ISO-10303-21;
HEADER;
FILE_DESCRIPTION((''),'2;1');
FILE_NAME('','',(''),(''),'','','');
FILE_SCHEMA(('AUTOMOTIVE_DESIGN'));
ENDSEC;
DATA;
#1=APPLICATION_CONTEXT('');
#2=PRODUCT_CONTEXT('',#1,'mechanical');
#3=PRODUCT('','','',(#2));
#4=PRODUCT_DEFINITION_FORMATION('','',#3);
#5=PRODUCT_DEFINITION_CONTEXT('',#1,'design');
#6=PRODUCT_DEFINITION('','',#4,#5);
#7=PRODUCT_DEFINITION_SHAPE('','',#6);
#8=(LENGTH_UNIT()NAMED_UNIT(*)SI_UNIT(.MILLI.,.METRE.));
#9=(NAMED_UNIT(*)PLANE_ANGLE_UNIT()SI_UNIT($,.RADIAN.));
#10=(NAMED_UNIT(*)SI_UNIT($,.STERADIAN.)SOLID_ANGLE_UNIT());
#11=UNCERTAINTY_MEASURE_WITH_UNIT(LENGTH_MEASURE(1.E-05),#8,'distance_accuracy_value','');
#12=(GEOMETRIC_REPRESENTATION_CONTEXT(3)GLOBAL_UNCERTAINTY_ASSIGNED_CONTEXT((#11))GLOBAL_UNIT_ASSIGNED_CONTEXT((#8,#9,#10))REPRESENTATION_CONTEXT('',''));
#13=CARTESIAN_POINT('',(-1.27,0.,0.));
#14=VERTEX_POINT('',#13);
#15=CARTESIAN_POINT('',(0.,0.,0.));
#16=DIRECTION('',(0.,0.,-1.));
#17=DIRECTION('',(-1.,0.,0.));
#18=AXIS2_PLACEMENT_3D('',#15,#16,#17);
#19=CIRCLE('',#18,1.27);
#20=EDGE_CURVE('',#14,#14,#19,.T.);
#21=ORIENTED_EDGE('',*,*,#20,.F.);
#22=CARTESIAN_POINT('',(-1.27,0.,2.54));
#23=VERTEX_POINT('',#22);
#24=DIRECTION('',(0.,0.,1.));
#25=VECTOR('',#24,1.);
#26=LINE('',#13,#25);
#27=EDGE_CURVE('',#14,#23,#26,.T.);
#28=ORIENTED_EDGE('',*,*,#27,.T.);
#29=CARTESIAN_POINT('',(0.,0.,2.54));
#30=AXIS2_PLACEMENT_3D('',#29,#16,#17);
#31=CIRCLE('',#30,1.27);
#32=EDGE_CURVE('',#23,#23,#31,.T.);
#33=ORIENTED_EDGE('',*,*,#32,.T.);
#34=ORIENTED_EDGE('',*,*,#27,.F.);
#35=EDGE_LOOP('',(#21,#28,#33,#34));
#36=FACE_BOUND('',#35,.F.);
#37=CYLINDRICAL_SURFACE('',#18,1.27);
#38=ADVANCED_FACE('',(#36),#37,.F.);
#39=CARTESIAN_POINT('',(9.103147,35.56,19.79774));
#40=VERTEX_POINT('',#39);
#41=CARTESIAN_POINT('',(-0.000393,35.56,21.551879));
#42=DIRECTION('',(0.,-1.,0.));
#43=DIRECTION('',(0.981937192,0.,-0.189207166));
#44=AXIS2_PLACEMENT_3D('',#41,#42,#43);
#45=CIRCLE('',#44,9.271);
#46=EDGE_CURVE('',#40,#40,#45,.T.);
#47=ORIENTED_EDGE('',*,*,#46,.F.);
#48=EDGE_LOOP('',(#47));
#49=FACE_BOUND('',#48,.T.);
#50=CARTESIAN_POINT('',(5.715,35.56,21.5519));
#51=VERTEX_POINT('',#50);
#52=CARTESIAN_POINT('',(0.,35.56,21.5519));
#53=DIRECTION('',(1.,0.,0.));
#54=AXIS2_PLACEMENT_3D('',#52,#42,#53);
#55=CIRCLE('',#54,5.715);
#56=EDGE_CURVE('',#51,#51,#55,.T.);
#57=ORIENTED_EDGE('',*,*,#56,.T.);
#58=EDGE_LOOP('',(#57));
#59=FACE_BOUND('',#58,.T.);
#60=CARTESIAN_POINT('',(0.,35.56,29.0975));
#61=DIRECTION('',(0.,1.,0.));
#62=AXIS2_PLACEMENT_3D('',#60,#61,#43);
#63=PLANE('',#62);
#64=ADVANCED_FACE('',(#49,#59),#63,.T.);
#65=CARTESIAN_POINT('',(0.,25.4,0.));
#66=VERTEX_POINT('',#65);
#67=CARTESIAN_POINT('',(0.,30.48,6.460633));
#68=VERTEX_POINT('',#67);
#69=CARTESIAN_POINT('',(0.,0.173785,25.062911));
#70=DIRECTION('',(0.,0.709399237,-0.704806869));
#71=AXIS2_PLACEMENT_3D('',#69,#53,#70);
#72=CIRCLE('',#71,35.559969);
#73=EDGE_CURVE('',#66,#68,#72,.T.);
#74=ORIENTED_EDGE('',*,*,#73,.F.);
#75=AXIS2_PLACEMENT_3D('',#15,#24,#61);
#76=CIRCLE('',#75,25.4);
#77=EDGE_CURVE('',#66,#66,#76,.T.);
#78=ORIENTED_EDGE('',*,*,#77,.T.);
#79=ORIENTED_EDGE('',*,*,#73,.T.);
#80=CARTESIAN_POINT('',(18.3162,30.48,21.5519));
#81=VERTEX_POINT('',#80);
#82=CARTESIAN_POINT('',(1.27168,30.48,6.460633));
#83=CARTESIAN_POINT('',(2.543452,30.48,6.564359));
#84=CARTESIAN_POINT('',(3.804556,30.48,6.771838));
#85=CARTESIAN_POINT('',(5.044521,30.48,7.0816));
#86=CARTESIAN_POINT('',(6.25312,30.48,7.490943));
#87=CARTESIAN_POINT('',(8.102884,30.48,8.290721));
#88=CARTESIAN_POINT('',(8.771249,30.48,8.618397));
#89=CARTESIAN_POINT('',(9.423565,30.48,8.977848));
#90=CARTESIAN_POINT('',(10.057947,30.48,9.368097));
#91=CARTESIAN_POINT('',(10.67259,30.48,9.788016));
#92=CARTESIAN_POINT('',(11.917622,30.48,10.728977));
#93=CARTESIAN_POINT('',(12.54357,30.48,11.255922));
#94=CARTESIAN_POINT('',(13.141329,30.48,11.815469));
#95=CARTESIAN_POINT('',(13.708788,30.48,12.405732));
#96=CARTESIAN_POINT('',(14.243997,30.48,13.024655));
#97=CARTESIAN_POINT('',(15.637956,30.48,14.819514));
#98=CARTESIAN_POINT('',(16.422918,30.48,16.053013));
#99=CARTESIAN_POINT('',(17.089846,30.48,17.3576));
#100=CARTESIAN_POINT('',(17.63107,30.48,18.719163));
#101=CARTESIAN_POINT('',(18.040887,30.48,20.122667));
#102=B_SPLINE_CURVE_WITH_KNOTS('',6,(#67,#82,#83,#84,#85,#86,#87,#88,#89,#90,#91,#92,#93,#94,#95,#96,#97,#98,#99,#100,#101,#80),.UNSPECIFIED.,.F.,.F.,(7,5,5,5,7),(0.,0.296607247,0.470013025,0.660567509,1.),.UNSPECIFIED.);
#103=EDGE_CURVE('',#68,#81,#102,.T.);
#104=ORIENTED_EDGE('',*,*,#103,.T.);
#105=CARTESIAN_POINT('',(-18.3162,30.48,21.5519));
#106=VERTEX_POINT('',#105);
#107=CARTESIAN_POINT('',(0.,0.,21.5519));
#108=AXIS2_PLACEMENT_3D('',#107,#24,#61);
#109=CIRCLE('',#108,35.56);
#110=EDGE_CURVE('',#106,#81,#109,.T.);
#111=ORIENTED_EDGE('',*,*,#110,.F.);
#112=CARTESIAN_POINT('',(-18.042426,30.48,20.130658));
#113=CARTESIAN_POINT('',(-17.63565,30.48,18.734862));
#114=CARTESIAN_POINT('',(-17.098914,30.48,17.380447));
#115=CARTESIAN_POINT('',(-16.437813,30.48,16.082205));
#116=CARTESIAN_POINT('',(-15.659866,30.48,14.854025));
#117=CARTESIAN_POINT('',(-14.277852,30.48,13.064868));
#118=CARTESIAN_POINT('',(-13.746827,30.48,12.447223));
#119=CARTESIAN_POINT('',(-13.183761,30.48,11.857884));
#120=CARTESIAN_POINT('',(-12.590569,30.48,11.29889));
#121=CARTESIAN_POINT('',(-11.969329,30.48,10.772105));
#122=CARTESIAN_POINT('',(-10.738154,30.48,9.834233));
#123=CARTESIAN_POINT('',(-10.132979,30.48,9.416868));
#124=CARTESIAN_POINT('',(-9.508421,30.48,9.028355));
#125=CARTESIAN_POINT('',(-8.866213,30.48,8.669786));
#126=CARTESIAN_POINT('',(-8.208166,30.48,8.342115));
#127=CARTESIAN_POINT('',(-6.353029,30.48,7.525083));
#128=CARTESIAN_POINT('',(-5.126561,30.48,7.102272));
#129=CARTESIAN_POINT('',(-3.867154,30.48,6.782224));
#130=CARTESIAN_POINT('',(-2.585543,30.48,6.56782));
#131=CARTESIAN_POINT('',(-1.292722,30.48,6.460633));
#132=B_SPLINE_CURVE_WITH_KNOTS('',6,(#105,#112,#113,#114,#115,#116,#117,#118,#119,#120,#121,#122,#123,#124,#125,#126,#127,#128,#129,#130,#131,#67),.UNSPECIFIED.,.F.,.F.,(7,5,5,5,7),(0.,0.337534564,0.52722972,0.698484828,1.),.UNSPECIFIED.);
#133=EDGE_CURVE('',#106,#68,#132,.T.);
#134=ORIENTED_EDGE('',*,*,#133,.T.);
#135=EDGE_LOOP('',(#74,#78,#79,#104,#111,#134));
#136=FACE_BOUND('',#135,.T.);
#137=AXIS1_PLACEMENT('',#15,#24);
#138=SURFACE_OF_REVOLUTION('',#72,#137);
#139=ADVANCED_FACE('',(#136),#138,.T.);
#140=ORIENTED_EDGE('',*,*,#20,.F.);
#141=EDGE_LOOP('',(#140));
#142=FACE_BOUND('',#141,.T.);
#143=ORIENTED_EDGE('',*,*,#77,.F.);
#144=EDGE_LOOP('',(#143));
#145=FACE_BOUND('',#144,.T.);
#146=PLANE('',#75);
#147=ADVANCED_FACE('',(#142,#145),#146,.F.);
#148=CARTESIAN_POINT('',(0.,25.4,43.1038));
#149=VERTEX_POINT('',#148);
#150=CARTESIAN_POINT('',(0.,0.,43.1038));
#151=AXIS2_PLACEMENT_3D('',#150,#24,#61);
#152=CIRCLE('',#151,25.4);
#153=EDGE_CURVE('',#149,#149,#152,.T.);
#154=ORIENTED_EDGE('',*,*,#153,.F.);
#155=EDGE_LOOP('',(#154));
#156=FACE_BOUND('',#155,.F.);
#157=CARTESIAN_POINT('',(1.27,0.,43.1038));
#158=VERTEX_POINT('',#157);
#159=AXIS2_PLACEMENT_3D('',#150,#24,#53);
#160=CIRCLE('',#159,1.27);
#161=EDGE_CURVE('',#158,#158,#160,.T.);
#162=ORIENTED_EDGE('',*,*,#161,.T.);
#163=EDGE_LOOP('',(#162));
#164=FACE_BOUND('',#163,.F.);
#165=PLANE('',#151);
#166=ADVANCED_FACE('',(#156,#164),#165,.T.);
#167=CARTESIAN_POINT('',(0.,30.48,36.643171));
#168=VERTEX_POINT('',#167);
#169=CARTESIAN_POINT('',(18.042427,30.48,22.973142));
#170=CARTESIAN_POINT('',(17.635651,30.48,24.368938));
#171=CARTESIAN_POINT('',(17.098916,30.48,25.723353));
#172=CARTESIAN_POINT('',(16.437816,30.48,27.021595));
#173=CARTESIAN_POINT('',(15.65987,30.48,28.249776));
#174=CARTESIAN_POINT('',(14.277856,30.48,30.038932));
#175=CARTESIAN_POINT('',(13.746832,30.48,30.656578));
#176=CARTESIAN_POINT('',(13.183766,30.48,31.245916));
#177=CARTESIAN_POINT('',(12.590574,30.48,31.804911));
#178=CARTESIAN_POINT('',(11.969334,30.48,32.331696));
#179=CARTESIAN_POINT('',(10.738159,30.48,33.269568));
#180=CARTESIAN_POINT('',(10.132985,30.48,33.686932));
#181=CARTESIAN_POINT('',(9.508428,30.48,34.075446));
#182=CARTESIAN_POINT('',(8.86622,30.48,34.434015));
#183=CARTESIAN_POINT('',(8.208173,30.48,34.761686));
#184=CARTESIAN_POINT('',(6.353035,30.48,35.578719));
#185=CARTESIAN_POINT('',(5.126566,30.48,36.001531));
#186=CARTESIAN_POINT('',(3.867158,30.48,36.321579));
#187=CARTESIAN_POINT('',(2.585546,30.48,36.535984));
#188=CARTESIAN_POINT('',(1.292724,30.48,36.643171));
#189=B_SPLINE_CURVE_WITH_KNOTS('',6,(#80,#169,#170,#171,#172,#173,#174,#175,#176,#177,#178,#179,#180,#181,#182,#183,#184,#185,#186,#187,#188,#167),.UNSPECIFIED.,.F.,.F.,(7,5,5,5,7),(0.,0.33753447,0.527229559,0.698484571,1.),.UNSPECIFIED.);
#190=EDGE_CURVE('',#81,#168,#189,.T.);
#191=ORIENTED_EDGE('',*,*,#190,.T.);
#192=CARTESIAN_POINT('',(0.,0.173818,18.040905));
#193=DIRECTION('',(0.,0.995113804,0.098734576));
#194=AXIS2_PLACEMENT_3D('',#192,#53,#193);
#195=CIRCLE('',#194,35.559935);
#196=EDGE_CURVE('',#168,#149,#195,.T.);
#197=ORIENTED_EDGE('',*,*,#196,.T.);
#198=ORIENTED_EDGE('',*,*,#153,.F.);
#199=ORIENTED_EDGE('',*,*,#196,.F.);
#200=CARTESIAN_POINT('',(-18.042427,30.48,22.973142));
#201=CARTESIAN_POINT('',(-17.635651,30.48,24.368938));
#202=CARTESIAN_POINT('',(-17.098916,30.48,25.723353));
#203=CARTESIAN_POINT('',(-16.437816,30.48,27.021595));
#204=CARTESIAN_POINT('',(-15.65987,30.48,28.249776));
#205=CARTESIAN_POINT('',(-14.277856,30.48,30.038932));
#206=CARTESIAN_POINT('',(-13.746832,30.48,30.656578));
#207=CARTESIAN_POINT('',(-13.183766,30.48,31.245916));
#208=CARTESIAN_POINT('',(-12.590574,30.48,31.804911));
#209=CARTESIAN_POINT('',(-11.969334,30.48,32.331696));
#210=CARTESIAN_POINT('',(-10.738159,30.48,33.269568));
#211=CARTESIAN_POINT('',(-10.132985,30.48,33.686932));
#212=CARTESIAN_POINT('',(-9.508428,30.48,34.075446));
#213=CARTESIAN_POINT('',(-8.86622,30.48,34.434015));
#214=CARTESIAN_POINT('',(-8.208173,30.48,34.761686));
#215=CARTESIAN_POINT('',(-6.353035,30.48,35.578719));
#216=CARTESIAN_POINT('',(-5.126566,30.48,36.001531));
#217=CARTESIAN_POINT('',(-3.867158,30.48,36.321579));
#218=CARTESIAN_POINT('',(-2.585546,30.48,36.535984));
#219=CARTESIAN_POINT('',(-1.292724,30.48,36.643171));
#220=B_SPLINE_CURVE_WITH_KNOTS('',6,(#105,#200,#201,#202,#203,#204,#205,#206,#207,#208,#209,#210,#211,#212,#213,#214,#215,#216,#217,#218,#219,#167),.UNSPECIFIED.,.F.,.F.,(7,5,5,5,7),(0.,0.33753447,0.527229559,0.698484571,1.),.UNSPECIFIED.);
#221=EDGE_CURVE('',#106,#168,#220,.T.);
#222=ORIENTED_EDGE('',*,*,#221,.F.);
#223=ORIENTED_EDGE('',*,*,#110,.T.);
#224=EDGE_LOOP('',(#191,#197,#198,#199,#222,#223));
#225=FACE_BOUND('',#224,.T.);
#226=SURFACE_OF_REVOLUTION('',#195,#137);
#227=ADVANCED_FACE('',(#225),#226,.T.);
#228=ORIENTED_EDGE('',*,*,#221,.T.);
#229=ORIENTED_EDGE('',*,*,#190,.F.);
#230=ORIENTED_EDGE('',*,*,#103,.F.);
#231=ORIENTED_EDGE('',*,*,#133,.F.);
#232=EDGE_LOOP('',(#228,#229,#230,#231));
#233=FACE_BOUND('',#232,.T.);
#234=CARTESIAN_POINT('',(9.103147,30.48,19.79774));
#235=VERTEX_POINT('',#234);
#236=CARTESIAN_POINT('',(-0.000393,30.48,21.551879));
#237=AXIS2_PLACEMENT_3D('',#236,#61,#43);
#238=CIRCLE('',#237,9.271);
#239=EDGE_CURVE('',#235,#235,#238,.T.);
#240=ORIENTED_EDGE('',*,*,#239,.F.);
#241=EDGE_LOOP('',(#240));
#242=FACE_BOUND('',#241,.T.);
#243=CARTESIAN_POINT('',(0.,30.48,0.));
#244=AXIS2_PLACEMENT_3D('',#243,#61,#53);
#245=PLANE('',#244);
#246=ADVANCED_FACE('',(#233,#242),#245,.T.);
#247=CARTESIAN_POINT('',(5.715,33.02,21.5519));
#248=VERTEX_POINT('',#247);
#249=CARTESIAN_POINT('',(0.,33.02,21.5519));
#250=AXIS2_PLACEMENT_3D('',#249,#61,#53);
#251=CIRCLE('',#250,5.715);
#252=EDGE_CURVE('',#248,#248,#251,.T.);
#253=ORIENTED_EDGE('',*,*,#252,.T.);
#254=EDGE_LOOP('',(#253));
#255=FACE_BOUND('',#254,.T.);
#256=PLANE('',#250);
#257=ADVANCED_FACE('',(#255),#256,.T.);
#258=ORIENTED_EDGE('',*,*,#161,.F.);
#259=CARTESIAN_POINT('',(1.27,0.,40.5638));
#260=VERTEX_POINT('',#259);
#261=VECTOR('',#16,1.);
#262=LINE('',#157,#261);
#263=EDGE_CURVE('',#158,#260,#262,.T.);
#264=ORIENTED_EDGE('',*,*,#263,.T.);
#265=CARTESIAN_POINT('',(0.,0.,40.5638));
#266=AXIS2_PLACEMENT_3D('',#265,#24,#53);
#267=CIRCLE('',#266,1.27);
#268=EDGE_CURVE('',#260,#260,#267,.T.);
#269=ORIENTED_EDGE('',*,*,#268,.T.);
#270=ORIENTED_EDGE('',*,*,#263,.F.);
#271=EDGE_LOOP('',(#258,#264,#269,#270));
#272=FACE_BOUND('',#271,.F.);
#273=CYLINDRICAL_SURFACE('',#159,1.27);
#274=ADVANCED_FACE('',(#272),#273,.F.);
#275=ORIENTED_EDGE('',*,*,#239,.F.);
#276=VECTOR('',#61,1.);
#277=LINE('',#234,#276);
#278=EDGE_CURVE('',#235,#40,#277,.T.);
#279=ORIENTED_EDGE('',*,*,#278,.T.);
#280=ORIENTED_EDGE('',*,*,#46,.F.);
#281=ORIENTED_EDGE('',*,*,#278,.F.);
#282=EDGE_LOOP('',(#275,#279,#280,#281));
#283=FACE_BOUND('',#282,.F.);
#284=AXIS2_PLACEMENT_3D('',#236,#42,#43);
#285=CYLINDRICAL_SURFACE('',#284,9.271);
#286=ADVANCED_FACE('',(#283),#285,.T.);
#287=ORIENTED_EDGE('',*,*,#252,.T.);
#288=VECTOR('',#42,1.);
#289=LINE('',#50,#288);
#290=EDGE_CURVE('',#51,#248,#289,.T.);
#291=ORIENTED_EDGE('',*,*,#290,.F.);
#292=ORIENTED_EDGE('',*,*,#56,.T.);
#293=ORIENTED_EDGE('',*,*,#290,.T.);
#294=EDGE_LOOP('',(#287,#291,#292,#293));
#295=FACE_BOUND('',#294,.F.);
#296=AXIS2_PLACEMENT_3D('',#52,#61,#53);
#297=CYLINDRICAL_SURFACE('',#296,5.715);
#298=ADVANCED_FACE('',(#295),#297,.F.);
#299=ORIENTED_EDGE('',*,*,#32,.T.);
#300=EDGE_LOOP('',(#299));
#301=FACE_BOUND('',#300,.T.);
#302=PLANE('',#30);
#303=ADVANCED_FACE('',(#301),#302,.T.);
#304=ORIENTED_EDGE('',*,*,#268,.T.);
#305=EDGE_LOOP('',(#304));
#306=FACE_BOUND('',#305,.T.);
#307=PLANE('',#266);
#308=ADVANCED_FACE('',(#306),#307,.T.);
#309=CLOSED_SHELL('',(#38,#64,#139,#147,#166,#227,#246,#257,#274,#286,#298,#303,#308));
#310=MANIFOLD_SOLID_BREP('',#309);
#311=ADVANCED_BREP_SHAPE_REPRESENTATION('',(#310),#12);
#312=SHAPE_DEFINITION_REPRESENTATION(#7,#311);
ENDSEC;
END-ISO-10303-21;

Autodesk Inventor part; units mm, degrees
ref_plane "YZ Plane" through (0, 0, 0) normal (1, 0, 0) x (0, 1, 0)
ref_plane "XZ Plane" through (0, 0, 0) normal (0, 1, 0) x (-1, 0, 0)
ref_plane "XY Plane" through (0, 0, 0) normal (0, 0, 1) x (1, 0, 0)
sketch "Sketch1" plane through (0, 0, 0) normal (1, 0, 0) x (0, 1, 0)
  line L0 (0, 0) -> (0, 43.1038)
  line L1 (0, 21.5519) -> (35.56, 21.5519)
  line L2 (0, 43.1038) -> (25.4, 43.1038)
  line L3 (0, 0) -> (25.4, 0)
  arc A0 (25.4, 0) -> (35.56, 21.5519) centre (0.1738, 25.0629) ccw
  arc A1 (35.56, 21.5519) -> (25.4, 43.1038) centre (0.1738, 18.0409) ccw
  dimension "d0" = 43.1038
  dimension "d1" = 35.56
  dimension "d2" = 25.4
  dimension "d4" = 25.4
  dimension "d5" = 35.56
  dimension "d6" = 35.56
revolve "Revolution2" add sketch "Sketch1" angle 360 about axis through (0, 0, 0) along (0, 0, 1)
sketch "Sketch3" plane through (0, 0, 0) normal (0, 0, -1) x (-1, 0, 0)
  circle A0 centre (0, 0) radius 25.4 projected
  line L0 (0, 0) -> (0, 30.48)
  line L1 (0, 30.48) -> (9.144, 30.48)
  line L2 (9.144, 30.48) -> (18.3162, 30.48)
  circle A1 centre (0, 0) radius 35.56 projected
  line L3 (0, 30.48) -> (-18.3162, 30.48)
  line L4 (0, 30.48) -> (0, 35.56)
  arc A2 (0, 35.56) -> (-18.3162, 30.48) centre (0, 0) ccw
  arc A3 (18.3162, 30.48) -> (0, 35.56) centre (0, 0) ccw
  dimension "d11" = 30.48
  dimension "d12" = 9.144
extrude "Extrusion1" cut sketch "Sketch3" against normal blind 47.625 contours L3 A1 L4 | L4 A1 L2 L1
sketch "Sketch4" plane through (0, 30.48, 29.0975) normal (0, 1, 0) x (0.9819, 0, -0.1892)
  line L0 (-16.5583, 10.874) -> (19.4128, 3.9448)
  line L1 (36.3453, 0.6831) -> (-33.4908, 14.1357) projected
  circle A0 centre (1.4273, 7.4094) radius 9.271
  point P0 (5.5039, 28.5723)
  dimension "d15" = 18.542
extrude "Extrusion2" add sketch "Sketch4" along normal blind 5.08
sketch "Sketch5" plane through (0, 35.56, 21.5519) normal (0, 1, 0) x (1, 0, 0)
  line L0 (35.56, 0) -> (-35.56, 0) projected
  circle A0 centre (0, 0) radius 5.715
  point P0 (0, 21.5519)
  point P1 (18.3162, 0)
  point P2 (-18.3162, 0)
  dimension "d18" = 11.43
extrude "Extrusion3" cut sketch "Sketch5" against normal blind 2.54
sketch "Sketch6" plane through (0, 0, 0) normal (0, 0, -1) x (-1, 0, 0)
  circle A0 centre (0, 0) radius 1.27
  dimension "d21" = 2.54
sketch "Sketch7" plane through (0, 0, 43.1038) normal (0, 0, 1) x (1, 0, 0)
  circle A0 centre (0, 0) radius 1.27
  dimension "d22" = 2.54
extrude "Extrusion4" cut sketch "Sketch6" against normal blind 2.54
extrude "Extrusion5" cut sketch "Sketch7" against normal blind 2.54
properties material "UHMW, White"
